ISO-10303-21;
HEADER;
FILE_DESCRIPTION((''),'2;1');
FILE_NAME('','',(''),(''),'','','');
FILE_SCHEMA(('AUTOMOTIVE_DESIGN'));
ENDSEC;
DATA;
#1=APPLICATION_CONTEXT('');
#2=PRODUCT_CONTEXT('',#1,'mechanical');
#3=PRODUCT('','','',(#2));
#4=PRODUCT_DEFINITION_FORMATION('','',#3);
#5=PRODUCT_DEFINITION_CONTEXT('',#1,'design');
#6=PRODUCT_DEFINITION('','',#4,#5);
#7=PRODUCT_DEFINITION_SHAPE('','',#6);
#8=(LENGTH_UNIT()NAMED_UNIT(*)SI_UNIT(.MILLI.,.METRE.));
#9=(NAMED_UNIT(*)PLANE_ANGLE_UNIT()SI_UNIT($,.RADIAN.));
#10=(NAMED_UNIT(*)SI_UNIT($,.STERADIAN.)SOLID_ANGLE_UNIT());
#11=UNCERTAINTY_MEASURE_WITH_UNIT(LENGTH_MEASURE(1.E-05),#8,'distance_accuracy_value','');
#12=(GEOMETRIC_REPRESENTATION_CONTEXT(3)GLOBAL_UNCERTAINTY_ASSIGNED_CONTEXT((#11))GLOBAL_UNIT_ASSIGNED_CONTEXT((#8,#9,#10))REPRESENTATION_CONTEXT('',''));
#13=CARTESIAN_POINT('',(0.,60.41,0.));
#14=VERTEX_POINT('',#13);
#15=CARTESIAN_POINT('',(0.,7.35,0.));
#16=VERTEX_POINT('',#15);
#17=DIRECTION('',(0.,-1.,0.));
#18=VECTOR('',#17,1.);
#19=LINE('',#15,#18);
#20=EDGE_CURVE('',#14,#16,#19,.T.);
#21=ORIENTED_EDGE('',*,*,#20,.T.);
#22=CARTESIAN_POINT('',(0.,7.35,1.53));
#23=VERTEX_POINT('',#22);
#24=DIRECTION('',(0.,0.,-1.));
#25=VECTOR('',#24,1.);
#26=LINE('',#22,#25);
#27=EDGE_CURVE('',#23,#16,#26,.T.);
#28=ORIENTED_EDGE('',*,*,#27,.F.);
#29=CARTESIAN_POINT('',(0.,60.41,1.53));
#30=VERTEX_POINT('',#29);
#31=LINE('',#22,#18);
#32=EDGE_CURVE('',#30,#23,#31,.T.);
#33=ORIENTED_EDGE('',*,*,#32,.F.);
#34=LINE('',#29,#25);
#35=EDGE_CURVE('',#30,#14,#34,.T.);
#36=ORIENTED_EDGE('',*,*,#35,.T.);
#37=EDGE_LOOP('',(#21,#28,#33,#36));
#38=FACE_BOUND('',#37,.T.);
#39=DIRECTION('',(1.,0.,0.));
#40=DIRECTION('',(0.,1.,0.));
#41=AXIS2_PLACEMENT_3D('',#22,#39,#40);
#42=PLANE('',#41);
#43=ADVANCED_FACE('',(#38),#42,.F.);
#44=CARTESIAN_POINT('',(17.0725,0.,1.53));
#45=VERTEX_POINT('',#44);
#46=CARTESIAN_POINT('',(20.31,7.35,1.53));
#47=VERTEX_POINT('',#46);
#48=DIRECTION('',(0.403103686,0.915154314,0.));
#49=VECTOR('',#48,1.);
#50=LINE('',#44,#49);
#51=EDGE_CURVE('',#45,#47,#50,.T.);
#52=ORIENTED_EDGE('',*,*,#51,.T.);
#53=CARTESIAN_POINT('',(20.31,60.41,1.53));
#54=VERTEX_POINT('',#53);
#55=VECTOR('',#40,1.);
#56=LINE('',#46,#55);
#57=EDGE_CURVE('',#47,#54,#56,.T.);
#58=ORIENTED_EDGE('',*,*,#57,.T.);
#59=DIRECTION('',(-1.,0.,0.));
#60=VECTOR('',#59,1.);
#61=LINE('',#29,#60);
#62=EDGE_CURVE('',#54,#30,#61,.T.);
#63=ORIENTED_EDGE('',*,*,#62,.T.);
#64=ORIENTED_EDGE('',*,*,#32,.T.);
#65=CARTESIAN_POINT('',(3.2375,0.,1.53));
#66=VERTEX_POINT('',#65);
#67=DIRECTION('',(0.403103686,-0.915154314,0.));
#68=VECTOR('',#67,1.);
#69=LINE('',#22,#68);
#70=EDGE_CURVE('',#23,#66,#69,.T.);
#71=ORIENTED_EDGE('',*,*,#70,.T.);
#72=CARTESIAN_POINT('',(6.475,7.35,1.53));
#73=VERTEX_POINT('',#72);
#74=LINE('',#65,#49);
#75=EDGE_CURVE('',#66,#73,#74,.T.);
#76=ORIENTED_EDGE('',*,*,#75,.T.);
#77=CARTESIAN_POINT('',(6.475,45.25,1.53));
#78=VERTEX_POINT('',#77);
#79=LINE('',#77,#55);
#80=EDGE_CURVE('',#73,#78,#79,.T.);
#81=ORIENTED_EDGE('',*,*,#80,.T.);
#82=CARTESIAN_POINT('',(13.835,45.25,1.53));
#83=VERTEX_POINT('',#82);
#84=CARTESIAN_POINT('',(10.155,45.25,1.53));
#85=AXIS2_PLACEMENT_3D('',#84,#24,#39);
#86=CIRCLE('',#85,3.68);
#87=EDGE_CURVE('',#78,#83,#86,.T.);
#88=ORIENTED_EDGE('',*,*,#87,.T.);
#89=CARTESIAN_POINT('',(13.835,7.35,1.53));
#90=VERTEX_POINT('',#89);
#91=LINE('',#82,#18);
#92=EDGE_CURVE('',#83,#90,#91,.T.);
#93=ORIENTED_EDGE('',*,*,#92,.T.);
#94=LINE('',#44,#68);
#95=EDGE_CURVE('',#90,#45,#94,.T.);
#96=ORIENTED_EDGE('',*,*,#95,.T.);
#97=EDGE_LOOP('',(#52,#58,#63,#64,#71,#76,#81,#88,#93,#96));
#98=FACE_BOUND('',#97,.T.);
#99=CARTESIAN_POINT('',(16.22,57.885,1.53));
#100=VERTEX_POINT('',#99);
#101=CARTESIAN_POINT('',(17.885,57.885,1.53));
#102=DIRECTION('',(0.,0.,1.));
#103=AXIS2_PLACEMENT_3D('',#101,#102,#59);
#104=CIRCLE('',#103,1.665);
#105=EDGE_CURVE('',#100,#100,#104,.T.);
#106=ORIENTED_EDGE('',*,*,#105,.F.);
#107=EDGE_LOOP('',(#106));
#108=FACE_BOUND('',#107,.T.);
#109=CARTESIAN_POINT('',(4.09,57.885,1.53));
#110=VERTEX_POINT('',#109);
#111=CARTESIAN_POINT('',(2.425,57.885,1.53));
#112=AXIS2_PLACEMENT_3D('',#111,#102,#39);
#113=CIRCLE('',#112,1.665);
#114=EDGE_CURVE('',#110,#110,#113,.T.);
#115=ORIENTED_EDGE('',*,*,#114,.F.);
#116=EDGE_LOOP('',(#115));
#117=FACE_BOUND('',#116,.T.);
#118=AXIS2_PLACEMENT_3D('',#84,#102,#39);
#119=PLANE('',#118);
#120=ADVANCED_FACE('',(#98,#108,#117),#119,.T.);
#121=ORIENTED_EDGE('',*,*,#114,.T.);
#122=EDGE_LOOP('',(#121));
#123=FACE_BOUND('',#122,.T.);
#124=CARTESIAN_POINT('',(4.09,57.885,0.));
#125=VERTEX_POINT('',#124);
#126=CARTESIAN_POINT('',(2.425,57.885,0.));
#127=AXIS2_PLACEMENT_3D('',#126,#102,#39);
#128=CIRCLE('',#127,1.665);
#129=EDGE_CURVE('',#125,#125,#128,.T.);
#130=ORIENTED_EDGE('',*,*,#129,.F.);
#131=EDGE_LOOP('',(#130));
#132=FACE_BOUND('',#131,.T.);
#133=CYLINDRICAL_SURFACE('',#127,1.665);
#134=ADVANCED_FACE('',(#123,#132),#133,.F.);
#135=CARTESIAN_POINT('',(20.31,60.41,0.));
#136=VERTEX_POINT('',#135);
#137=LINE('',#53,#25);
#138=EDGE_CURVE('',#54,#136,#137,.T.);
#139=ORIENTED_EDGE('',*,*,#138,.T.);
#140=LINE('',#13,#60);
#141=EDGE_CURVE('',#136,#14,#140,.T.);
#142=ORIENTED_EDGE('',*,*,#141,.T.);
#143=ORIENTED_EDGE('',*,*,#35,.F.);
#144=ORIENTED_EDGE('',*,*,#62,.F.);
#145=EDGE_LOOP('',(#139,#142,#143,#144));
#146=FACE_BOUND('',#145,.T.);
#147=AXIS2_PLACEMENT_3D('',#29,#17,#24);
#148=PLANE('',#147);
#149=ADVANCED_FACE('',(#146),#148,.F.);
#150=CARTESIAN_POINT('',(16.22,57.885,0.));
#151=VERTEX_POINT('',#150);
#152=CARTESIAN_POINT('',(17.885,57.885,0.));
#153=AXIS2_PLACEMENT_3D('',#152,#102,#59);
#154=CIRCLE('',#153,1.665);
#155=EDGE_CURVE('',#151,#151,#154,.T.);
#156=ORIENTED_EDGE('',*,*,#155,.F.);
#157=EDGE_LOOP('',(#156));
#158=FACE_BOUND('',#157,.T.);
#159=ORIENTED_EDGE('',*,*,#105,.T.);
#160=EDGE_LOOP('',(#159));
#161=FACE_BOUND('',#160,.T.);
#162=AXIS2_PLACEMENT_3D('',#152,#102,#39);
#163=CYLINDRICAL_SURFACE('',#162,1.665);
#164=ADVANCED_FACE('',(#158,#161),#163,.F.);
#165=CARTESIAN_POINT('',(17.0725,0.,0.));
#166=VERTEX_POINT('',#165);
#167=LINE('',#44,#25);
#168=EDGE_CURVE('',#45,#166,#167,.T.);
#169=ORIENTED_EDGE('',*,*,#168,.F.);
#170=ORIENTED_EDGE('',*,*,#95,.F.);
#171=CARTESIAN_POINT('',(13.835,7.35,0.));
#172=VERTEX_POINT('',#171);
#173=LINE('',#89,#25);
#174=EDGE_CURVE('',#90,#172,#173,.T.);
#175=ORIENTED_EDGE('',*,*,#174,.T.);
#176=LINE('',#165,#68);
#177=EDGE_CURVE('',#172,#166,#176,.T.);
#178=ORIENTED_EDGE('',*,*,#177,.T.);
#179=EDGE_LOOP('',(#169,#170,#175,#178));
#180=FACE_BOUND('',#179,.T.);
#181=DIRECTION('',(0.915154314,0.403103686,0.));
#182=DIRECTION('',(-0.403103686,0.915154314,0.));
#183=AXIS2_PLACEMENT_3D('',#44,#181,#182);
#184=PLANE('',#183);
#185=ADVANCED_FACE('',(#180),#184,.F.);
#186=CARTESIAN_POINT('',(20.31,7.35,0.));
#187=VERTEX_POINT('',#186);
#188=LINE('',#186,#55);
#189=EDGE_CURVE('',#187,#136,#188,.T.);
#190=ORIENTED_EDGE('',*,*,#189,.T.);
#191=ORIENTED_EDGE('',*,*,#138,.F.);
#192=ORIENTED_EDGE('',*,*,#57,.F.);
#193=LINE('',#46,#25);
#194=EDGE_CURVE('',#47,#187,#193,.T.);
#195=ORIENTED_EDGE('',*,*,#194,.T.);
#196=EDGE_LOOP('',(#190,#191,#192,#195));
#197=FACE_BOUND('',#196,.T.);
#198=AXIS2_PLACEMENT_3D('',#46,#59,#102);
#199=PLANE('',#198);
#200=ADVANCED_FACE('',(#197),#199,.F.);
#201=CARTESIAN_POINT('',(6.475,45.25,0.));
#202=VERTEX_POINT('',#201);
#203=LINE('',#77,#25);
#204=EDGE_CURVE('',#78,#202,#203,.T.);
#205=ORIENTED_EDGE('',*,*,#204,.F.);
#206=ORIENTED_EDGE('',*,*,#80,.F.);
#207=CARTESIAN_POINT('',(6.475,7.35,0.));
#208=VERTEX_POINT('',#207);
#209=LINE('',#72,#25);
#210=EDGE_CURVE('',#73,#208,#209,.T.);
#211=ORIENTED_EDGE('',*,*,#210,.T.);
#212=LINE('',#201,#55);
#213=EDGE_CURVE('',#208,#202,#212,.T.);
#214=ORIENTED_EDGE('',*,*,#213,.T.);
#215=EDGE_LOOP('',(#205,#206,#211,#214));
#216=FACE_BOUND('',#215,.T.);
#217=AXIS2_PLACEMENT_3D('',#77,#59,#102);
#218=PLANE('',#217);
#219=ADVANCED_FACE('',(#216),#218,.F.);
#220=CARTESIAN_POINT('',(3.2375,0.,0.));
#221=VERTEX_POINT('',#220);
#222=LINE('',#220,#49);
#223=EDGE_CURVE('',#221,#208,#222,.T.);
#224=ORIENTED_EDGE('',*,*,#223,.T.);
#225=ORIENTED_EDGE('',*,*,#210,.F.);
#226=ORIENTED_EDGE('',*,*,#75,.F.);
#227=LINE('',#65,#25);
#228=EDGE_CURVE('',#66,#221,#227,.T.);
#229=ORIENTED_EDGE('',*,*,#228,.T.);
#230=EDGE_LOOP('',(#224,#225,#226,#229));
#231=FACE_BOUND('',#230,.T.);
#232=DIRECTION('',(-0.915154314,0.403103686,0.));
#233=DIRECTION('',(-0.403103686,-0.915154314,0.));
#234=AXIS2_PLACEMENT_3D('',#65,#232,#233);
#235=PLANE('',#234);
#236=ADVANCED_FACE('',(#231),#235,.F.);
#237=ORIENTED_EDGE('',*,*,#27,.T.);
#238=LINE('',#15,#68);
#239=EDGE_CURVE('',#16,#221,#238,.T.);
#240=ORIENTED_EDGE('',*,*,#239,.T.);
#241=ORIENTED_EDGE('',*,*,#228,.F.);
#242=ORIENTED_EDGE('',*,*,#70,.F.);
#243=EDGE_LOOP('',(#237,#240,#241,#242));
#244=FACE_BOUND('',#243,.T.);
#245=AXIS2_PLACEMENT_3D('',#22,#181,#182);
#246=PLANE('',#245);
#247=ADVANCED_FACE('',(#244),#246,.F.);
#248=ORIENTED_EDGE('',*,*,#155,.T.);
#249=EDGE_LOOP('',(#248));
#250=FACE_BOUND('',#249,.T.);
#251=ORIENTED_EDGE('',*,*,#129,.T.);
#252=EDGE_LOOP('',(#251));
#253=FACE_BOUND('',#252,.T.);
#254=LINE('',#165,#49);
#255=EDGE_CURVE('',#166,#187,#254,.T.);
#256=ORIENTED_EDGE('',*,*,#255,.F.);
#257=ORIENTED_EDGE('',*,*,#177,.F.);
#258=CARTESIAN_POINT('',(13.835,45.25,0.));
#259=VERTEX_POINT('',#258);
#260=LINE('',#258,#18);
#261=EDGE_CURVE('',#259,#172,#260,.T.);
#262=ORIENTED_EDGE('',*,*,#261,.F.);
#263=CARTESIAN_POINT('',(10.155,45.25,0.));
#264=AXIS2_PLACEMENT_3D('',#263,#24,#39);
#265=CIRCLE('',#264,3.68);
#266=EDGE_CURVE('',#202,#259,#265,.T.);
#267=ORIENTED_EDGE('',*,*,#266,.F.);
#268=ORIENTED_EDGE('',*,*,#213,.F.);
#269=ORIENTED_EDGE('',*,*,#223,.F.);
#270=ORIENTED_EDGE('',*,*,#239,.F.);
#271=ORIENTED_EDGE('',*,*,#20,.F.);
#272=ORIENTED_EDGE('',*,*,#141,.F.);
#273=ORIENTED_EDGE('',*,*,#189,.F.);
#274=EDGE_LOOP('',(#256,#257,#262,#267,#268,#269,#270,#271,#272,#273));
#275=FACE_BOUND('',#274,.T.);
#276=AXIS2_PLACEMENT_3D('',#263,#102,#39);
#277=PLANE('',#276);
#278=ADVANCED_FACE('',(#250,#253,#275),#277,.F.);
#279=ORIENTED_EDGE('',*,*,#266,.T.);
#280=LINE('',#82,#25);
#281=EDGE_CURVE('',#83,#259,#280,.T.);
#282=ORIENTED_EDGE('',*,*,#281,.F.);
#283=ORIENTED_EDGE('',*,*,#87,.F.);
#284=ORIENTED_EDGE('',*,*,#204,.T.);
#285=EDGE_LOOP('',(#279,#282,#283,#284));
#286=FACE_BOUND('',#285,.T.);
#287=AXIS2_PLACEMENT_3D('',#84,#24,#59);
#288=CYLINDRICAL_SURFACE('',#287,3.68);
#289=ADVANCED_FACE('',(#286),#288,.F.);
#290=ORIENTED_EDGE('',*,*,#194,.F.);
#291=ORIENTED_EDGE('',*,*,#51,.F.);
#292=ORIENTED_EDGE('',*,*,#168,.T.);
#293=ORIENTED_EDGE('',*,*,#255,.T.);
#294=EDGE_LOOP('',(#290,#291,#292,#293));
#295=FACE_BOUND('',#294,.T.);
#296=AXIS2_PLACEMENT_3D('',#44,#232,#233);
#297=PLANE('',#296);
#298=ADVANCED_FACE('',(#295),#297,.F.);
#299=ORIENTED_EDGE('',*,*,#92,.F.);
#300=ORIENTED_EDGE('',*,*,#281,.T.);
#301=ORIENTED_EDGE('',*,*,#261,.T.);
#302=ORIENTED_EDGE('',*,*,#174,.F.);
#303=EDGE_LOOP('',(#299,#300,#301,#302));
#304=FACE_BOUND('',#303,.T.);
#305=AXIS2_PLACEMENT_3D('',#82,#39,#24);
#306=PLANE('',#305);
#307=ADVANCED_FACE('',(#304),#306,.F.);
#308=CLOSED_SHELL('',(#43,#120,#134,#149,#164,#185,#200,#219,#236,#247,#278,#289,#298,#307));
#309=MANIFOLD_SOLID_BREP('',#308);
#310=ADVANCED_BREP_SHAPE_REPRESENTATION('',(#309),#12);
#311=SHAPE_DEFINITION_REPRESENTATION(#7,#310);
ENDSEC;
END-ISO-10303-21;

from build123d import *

# Parameters (mm, degrees)
BOSS_EXTRU_1_DEPTH      = 1.53
ESQUISSE2_R             = 1.665
ENL_V_MAT_EXTRU_1_DEPTH = 1.53


with BuildPart() as part:
    # Esquisse1 → Boss.-Extru.1 (new body)
    with BuildSketch(Plane.XY):
        with BuildLine():
            Line((0, 7.35), (0, 60.41))
            Line((0, 60.41), (20.31, 60.41))
            Line((20.31, 60.41), (20.31, 7.35))
            Line((20.31, 7.35), (17.0725, 0))
            Line((17.0725, 0), (13.835, 7.35))
            Line((13.835, 7.35), (13.835, 45.25))
            ThreePointArc((13.835, 45.25), (10.155, 48.93), (6.475, 45.25))
            Line((6.475, 45.25), (6.475, 7.35))
            Line((6.475, 7.35), (3.2375, 0))
            Line((3.2375, 0), (0, 7.35))
        make_face()
    extrude(amount=BOSS_EXTRU_1_DEPTH)

    # Esquisse2 → Enlèv. mat.-Extru.1 (cut)
    with BuildSketch(Plane.XY.offset(1.53)):
        with Locations((2.425, 57.885)):
            Circle(ESQUISSE2_R)
        with Locations((17.885, 57.885)):
            Circle(ESQUISSE2_R)
    extrude(amount=-ENL_V_MAT_EXTRU_1_DEPTH, mode=Mode.SUBTRACT)


solid = part.part
